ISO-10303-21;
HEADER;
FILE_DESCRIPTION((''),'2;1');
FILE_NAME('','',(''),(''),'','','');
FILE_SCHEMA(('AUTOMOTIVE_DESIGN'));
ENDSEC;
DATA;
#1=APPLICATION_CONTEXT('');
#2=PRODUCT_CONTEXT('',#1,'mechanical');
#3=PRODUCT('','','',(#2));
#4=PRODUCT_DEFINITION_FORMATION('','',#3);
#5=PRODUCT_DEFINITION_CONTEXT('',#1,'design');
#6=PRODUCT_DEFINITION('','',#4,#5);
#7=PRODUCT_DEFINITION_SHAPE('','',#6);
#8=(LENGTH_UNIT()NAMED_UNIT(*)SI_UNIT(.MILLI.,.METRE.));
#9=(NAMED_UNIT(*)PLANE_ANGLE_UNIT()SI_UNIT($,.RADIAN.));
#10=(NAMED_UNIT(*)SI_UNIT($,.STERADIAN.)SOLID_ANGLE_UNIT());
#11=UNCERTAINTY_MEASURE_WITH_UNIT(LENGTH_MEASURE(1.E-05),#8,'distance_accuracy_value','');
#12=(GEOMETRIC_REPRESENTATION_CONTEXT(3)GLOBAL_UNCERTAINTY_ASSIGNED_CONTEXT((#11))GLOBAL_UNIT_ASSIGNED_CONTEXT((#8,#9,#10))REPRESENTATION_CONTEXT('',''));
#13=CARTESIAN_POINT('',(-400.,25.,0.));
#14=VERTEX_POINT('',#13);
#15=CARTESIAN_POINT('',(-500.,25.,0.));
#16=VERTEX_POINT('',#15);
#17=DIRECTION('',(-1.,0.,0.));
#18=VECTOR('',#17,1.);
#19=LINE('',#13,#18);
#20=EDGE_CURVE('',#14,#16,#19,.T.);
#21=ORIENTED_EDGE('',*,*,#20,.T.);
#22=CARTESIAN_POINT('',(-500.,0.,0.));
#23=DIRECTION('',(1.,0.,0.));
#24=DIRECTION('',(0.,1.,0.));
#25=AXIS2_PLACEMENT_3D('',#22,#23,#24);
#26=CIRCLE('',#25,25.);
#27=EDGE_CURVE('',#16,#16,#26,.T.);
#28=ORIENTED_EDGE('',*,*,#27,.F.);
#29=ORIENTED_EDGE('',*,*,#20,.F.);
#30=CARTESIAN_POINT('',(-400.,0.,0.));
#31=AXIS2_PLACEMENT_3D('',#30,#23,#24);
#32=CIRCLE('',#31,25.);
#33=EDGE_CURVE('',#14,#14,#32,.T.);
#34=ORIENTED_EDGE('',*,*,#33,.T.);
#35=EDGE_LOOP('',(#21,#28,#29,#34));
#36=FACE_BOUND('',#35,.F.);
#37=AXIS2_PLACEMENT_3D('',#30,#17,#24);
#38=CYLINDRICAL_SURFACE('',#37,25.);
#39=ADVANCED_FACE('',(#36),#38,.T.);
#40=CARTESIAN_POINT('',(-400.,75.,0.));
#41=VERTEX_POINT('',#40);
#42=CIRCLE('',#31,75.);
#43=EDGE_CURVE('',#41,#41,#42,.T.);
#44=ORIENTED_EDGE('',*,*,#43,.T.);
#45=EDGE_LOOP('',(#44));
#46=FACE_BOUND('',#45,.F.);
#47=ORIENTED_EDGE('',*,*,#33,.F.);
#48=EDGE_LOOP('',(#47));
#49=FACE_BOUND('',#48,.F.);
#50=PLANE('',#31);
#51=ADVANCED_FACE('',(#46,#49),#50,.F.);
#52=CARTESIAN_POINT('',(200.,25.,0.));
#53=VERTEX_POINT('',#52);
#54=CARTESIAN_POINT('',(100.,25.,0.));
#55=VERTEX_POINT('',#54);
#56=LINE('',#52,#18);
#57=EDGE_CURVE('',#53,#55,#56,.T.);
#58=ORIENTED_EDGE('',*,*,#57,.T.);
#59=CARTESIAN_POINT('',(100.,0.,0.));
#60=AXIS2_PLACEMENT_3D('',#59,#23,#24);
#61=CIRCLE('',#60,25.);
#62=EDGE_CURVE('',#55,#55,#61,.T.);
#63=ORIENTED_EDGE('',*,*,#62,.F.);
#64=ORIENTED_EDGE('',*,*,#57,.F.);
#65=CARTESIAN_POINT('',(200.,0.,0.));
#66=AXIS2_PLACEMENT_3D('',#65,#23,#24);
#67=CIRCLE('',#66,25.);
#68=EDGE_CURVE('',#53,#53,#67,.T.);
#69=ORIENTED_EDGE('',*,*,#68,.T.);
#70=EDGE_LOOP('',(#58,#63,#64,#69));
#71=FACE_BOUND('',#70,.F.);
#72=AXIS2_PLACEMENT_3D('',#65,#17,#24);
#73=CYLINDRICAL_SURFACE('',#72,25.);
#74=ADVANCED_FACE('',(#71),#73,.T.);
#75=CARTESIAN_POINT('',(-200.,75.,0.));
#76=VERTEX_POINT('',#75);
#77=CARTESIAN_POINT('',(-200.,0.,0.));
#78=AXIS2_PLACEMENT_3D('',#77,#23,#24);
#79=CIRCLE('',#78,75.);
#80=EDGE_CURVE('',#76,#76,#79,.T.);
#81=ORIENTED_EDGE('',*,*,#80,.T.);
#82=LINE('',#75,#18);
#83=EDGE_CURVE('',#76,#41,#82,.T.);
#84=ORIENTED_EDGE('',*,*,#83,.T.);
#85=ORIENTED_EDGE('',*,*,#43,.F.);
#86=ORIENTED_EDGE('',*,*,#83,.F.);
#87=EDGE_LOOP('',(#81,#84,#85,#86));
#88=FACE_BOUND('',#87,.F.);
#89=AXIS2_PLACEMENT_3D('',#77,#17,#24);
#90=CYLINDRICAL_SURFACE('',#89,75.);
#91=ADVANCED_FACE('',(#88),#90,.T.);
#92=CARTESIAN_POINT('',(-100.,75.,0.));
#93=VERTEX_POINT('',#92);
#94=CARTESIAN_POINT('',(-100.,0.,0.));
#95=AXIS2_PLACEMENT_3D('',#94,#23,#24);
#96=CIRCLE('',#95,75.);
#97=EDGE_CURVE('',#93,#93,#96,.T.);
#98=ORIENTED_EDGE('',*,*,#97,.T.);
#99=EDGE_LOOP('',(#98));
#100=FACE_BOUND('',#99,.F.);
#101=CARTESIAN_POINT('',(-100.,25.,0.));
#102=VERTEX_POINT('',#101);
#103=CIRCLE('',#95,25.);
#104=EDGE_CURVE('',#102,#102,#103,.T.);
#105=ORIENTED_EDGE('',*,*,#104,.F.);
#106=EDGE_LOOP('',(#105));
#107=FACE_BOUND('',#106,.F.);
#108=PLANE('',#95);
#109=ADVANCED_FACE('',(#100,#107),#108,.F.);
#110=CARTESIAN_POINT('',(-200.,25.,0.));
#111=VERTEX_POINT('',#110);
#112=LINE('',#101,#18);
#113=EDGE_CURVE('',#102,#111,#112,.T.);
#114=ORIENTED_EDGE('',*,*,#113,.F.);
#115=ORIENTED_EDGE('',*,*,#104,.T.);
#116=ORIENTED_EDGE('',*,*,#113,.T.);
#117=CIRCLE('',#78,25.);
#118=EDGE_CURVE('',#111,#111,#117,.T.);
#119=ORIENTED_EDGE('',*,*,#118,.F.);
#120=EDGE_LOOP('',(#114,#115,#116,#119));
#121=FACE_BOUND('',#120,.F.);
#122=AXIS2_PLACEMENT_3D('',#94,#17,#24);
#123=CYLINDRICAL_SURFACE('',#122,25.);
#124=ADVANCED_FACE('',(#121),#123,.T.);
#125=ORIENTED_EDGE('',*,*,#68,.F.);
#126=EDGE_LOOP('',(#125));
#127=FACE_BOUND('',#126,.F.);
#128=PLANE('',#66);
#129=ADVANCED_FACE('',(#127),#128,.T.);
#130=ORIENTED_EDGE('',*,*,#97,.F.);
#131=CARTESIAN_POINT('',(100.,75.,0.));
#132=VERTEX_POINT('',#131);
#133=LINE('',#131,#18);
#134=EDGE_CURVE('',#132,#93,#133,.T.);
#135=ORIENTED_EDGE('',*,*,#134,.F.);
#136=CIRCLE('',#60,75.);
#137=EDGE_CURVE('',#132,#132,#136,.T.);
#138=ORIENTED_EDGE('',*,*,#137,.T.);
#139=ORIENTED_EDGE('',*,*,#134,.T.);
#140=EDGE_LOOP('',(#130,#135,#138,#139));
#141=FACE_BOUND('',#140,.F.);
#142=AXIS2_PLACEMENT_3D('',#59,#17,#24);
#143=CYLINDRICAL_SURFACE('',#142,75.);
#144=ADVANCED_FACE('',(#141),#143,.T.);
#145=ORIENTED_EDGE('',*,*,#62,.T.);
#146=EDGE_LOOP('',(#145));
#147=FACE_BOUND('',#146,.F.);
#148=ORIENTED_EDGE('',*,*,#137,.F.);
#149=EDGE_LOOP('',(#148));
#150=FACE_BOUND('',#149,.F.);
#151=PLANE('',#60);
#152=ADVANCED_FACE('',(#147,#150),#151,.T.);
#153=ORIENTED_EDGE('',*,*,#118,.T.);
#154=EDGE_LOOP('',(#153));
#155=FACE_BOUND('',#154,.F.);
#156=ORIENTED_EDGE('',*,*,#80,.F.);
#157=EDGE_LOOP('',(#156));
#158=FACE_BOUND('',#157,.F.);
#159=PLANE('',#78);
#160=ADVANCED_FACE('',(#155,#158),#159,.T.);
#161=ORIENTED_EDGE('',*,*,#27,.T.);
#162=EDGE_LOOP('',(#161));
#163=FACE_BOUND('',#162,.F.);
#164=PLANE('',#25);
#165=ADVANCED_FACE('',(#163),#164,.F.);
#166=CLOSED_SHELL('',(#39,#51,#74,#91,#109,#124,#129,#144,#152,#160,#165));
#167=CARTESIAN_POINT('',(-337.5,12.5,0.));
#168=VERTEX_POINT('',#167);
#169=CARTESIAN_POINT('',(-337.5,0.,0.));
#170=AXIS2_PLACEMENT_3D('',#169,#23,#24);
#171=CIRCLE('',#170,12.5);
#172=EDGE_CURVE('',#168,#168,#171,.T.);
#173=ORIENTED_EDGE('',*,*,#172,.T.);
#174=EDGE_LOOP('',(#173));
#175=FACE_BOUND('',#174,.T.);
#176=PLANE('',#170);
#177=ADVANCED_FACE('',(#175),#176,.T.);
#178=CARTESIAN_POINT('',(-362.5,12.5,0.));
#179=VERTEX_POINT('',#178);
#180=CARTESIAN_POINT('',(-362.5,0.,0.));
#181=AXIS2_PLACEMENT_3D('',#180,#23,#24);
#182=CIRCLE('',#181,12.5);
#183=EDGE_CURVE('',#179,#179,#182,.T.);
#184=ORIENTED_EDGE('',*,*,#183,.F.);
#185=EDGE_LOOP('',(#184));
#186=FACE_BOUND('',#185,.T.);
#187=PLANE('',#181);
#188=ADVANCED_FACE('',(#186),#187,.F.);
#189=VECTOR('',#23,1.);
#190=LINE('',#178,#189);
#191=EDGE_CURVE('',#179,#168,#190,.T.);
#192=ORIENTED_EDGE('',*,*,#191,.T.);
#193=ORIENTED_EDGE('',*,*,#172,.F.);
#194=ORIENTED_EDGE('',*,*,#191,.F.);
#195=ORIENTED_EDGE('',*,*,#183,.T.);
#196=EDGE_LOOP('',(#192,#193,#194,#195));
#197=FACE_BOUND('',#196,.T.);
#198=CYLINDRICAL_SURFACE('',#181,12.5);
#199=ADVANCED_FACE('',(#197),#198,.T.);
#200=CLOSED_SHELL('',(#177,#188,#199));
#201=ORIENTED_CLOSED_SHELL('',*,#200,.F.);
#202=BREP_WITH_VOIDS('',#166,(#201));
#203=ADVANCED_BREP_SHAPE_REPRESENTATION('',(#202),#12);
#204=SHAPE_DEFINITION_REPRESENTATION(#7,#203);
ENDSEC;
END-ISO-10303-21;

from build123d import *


with BuildPart() as f1:
    # F0 (on Top) → F1 (revolve)
    with BuildSketch(Plane.XY):
        Polygon((100, 75), (-100, 75), (-100, 25), (-200, 25), (-200, 75), (-400, 75), (-400, 25), (-500, 25), (-500, 0), (-362.5, 0), (-362.5, 12.5), (-337.5, 12.5), (-337.5, 0), (200, 0), (200, 25), (100, 25), align=None)
    revolve(axis=Axis((-68.75, 0, 0), (1, 0, 0)))


solid = f1.part
